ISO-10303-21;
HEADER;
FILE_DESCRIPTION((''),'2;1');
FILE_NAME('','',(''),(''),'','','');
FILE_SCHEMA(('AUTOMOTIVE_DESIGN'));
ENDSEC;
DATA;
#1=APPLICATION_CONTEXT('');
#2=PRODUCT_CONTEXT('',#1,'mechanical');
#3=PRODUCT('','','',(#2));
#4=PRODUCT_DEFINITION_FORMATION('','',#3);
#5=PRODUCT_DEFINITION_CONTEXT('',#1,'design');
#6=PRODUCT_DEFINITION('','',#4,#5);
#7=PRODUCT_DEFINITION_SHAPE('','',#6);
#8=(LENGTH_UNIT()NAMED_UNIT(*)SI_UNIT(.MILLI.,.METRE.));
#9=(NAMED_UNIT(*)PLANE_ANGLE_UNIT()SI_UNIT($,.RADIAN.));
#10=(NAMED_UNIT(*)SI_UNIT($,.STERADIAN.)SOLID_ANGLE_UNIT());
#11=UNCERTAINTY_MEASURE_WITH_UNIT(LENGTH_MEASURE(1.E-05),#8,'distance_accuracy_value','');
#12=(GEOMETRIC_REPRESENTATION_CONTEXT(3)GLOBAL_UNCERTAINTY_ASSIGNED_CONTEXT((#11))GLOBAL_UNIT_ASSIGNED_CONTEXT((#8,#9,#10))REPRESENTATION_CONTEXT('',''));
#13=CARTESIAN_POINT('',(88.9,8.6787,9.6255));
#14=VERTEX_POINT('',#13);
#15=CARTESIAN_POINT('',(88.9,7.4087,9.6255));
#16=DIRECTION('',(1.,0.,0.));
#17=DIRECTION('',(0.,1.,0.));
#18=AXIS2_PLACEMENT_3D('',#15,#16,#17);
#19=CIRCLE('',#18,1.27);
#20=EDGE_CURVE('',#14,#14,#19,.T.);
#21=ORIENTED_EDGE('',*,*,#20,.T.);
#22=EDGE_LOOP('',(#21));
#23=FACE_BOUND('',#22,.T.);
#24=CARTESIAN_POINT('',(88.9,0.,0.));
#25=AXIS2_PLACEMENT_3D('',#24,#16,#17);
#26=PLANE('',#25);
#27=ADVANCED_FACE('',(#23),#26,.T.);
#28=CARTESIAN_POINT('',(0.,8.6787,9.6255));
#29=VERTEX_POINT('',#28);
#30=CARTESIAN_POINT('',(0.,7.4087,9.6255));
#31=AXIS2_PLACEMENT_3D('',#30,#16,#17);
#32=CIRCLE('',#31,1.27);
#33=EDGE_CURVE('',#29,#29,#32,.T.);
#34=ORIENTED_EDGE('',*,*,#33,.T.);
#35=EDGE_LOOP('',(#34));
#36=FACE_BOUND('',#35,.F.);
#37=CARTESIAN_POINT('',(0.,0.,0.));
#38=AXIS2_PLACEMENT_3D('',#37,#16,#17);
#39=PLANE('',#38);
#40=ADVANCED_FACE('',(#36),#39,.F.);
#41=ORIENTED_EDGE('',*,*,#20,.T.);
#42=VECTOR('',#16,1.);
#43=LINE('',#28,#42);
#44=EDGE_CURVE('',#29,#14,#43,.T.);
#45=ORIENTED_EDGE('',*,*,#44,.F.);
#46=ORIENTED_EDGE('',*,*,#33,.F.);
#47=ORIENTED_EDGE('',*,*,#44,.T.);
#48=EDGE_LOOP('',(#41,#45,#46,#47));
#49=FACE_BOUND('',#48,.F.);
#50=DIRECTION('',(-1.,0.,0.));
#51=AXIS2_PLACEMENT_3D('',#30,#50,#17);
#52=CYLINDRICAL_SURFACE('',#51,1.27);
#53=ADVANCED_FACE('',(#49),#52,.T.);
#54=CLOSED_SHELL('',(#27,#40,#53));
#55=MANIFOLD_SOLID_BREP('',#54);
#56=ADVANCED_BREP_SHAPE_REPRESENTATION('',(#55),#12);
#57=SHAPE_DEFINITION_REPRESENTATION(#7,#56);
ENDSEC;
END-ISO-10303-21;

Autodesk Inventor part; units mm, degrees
ref_plane "YZ Plane" through (0, 0, 0) normal (1, 0, 0) x (0, 1, 0)
ref_plane "XZ Plane" through (0, 0, 0) normal (0, 1, 0) x (-1, 0, 0)
ref_plane "XY Plane" through (0, 0, 0) normal (0, 0, 1) x (1, 0, 0)
sketch "Sketch3" plane through (0, 0, 0) normal (1, 0, 0) x (0, 1, 0)
  circle A0 centre (7.4087, 9.6255) radius 1.27
  point P0 (0, 0)
  dimension "d6" = 2.54
  dimension "d6" = 2.54
extrude "Extrusion3" add sketch "Sketch3" along normal blind 88.9
properties part number "axle"
